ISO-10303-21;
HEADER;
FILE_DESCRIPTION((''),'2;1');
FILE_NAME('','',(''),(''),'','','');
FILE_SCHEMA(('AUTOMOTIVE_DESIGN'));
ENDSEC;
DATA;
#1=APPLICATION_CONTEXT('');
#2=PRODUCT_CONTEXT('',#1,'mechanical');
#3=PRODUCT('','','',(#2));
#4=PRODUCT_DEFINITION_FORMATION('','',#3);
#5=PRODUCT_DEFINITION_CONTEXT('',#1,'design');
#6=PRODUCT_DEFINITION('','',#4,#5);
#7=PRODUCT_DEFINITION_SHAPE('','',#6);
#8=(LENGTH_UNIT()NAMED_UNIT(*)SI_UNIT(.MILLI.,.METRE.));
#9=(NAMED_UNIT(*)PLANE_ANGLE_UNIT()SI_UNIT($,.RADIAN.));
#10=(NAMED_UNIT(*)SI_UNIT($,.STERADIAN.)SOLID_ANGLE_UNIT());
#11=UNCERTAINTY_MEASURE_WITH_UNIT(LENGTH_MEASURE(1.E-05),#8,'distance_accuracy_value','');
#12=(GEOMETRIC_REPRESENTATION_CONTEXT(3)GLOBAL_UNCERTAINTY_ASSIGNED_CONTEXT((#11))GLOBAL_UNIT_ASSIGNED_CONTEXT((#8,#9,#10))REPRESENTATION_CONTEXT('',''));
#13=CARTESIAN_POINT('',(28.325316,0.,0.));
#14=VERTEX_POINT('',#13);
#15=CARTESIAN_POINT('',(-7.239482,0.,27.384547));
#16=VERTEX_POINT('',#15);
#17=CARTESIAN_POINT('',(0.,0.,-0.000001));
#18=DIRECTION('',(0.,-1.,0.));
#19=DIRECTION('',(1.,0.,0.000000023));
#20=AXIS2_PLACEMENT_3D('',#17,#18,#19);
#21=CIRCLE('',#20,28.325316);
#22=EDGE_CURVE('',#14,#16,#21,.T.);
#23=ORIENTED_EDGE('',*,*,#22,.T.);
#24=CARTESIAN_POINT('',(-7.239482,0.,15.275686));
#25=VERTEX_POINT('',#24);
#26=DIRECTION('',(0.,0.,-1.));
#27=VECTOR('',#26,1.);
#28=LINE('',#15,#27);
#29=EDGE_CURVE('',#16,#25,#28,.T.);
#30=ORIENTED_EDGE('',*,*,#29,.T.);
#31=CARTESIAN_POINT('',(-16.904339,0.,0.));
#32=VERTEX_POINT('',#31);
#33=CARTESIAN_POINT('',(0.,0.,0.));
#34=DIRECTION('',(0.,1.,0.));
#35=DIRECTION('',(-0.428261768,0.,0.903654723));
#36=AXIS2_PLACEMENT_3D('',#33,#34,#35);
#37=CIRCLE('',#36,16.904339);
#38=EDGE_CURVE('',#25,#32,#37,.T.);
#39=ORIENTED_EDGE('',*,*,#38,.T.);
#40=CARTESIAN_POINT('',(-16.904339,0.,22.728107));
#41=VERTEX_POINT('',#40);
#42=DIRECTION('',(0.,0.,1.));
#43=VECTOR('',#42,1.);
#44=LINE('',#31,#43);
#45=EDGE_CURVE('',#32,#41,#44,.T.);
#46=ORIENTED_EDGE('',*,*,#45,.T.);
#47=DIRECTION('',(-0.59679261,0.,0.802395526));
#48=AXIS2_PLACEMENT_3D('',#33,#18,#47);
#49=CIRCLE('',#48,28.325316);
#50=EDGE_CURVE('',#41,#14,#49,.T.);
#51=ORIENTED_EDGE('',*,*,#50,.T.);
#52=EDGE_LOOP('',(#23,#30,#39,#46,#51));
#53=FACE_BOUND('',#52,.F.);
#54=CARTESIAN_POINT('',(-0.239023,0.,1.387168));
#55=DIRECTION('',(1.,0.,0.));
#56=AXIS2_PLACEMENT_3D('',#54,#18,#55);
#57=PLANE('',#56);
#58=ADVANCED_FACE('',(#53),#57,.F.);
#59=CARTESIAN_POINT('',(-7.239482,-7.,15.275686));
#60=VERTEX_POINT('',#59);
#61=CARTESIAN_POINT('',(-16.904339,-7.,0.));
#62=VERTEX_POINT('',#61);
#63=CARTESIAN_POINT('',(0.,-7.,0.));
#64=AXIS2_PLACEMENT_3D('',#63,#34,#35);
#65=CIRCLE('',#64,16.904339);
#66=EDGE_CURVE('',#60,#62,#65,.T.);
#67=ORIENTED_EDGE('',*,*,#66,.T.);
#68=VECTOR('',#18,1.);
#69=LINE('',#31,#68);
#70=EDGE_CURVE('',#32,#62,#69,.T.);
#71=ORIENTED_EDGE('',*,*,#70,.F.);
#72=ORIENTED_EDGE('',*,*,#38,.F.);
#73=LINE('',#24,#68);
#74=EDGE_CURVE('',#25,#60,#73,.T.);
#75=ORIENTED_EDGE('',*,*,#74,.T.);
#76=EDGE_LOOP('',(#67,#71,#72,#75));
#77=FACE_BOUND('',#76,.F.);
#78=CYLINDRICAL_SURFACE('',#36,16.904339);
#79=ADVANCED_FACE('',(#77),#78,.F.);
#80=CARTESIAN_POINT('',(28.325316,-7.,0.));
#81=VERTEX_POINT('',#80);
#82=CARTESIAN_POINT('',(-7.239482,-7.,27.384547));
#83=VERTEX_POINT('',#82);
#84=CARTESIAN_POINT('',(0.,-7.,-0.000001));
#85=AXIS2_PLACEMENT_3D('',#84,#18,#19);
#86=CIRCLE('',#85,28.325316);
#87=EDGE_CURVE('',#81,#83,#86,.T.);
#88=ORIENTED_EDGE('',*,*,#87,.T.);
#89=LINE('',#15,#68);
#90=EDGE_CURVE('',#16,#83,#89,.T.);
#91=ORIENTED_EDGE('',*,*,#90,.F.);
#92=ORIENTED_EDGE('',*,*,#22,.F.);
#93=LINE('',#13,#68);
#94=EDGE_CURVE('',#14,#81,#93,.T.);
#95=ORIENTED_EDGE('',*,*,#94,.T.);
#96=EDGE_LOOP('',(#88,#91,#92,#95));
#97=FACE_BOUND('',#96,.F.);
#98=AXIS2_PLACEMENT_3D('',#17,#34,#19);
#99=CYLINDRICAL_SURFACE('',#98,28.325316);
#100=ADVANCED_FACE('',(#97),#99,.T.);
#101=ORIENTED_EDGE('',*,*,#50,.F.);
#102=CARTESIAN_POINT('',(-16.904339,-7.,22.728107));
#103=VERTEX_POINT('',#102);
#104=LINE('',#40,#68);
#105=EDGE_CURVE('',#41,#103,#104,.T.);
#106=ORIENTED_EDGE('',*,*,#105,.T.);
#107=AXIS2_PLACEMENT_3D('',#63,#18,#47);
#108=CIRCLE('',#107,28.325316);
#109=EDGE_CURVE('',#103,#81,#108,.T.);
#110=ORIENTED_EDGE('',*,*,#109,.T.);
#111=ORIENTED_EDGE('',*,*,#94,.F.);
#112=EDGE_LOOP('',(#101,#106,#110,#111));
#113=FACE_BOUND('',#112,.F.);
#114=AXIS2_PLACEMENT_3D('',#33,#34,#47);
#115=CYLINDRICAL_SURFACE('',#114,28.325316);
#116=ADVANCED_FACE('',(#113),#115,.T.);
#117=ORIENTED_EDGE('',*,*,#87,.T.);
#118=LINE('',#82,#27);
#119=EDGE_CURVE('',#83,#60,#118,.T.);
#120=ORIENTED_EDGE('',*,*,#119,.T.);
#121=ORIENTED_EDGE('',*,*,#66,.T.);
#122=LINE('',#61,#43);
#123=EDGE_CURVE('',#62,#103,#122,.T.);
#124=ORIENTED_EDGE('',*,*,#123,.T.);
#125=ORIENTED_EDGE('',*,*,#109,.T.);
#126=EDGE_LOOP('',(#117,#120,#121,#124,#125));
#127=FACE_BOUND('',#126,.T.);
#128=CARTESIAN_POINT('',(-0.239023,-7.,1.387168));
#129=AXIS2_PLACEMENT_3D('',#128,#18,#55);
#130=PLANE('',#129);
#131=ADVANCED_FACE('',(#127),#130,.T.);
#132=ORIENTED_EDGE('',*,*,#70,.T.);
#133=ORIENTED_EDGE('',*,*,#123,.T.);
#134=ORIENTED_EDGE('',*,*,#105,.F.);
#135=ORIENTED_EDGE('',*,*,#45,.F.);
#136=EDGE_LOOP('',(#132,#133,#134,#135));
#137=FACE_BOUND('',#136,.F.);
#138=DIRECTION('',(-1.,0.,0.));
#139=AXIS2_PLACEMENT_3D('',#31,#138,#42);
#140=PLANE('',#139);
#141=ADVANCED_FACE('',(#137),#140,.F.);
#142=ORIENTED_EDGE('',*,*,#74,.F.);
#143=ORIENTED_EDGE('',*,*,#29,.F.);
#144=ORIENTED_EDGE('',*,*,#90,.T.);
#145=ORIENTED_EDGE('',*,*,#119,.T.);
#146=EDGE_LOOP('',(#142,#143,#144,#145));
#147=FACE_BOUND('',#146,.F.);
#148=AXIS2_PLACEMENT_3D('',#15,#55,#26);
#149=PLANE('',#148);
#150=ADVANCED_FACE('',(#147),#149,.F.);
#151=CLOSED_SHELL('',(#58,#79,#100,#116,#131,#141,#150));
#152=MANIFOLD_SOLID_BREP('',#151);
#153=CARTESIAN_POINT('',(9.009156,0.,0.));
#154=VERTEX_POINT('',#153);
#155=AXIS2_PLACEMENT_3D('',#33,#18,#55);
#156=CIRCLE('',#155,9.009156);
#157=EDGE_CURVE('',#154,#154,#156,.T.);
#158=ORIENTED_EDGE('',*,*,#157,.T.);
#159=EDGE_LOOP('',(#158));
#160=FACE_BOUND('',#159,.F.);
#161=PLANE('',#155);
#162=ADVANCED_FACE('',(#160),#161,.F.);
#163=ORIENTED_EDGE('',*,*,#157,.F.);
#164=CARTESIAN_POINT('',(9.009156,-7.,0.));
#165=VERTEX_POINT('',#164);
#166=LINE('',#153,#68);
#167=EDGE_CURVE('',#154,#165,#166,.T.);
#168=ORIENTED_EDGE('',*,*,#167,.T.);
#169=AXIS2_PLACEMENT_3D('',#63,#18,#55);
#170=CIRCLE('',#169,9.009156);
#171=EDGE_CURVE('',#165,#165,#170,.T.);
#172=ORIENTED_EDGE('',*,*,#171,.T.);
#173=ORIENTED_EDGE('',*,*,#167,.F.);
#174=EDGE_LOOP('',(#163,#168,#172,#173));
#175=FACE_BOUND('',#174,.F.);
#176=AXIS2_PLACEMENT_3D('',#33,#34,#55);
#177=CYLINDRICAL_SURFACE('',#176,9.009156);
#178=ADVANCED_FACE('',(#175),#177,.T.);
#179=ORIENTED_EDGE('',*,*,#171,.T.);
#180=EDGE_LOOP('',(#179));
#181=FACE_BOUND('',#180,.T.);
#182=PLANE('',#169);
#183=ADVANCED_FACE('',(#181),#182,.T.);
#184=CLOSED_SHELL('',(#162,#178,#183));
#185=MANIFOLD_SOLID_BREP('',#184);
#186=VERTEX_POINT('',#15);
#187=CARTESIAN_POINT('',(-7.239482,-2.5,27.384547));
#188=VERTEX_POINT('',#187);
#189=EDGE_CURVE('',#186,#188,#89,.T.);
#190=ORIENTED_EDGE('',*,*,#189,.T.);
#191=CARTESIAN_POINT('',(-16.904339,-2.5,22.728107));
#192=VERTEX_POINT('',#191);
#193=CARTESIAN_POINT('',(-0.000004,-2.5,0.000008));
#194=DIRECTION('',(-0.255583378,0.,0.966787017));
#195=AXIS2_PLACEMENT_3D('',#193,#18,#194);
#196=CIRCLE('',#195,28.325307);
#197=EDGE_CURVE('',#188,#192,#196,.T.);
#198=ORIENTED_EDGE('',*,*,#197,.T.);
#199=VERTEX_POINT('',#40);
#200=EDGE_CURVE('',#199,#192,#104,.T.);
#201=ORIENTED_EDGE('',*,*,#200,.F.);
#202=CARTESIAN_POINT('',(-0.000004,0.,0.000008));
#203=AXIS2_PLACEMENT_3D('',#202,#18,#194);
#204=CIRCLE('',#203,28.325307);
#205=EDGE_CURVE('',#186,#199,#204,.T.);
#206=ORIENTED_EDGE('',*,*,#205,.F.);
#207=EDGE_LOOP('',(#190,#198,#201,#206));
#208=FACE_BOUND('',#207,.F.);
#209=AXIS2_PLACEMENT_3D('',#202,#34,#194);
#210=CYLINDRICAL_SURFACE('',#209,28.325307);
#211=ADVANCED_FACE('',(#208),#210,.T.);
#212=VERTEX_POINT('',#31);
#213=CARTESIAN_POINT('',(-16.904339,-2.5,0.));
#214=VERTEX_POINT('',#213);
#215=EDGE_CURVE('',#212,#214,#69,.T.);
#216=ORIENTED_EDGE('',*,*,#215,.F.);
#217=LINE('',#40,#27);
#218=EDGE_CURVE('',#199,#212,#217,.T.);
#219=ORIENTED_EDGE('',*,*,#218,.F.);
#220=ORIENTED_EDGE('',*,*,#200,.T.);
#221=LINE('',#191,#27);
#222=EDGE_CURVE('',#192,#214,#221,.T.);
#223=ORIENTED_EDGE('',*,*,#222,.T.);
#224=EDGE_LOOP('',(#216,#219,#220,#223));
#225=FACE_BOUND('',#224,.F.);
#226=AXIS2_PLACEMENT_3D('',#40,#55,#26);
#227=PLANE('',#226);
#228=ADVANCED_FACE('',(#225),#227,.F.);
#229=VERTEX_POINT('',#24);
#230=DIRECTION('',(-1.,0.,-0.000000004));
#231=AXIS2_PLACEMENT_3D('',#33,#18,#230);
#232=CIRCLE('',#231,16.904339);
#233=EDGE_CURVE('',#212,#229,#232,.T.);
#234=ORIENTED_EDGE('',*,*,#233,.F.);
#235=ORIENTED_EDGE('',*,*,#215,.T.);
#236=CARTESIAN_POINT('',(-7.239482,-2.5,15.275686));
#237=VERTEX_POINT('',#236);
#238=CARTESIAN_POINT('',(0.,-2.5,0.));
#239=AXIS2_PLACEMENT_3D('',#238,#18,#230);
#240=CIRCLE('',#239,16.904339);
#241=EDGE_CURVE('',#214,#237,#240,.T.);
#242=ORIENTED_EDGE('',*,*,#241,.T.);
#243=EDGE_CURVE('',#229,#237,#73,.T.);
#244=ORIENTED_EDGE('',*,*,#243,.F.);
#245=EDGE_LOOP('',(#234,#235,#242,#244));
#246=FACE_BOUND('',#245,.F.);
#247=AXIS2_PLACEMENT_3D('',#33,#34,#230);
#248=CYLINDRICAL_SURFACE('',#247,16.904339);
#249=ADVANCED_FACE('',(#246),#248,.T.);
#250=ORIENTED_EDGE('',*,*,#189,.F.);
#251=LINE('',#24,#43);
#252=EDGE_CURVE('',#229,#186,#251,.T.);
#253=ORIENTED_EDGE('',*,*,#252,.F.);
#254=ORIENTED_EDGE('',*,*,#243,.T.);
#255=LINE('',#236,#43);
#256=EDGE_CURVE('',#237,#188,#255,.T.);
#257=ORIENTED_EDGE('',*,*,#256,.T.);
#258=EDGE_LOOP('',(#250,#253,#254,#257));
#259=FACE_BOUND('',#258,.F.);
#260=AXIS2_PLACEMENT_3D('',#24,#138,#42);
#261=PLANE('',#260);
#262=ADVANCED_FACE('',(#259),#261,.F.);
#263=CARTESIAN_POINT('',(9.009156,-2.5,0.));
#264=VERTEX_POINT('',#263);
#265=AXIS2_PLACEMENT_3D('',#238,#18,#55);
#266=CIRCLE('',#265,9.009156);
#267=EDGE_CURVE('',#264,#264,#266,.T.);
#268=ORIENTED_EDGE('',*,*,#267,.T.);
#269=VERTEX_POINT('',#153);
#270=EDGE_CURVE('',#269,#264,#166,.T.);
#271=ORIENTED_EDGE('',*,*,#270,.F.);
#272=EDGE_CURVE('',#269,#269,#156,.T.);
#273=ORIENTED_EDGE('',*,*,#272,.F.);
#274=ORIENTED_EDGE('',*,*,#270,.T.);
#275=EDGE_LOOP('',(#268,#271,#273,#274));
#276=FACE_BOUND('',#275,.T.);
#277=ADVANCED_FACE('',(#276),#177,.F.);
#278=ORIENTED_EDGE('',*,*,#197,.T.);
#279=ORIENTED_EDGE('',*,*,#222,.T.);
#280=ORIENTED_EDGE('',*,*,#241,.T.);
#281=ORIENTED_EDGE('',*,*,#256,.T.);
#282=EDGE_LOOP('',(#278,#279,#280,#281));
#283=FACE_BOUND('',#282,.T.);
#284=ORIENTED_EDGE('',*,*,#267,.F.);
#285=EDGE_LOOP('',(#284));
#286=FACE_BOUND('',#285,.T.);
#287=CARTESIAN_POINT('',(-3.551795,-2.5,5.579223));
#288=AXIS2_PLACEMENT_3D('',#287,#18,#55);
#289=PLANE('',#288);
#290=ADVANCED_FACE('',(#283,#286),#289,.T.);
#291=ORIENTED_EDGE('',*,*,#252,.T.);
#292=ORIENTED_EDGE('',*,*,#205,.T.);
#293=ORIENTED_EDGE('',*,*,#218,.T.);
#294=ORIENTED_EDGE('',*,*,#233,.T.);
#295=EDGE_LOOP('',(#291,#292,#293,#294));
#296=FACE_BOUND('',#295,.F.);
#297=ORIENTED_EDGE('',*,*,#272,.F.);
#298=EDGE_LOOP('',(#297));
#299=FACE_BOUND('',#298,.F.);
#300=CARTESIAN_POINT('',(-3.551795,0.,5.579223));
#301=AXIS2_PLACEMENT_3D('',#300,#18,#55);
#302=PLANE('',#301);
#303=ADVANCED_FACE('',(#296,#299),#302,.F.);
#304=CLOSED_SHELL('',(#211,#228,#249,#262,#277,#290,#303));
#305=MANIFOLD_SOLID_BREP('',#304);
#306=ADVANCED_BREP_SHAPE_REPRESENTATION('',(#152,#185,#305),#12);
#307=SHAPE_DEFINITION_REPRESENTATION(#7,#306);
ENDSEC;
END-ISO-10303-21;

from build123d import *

# Parameters (mm, degrees)
F0_R     = 9.009156
F1_DEPTH = 7
F2_DEPTH = 7
F3_DEPTH = 2.5


with BuildPart() as f1:
    # F0 (on Front) → F1 (new body)
    with BuildSketch(Plane.XZ):
        Circle(F0_R)
    extrude(amount=F1_DEPTH)


with BuildPart() as f2:
    # F0 (on Front) → F2 (new body)
    with BuildSketch(Plane.XZ):
        with BuildLine():
            ThreePointArc((-16.904339, 22.728107), (-12.718152, -25.309526), (28.325316, 0))
            ThreePointArc((28.325316, 0), (17.280956, 22.443085), (-7.239482, 27.384547))
            Line((-7.239482, 27.384547), (-7.239482, 15.275686))
            ThreePointArc((-7.239482, 15.275686), (14.285226, -9.038197), (-16.904339, 0))
            Line((-16.904339, 0), (-16.904339, 22.728107))
        make_face()
    extrude(amount=F2_DEPTH)


with BuildPart() as f3:
    # F0 (on Front) → F3 (new body)
    with BuildSketch(Plane.XZ):
        with BuildLine():
            Line((-7.239482, 15.275686), (-7.239482, 27.384547))
            ThreePointArc((-7.239482, 27.384547), (-12.294374, 25.51807), (-16.904339, 22.728107))
            Line((-16.904339, 22.728107), (-16.904339, 0))
            ThreePointArc((-16.904339, 0), (14.285226, -9.038197), (-7.239482, 15.275686))
        make_face()
        Circle(F0_R, mode=Mode.SUBTRACT)
    extrude(amount=F3_DEPTH)


solid = Compound([f1.part, f2.part, f3.part])
